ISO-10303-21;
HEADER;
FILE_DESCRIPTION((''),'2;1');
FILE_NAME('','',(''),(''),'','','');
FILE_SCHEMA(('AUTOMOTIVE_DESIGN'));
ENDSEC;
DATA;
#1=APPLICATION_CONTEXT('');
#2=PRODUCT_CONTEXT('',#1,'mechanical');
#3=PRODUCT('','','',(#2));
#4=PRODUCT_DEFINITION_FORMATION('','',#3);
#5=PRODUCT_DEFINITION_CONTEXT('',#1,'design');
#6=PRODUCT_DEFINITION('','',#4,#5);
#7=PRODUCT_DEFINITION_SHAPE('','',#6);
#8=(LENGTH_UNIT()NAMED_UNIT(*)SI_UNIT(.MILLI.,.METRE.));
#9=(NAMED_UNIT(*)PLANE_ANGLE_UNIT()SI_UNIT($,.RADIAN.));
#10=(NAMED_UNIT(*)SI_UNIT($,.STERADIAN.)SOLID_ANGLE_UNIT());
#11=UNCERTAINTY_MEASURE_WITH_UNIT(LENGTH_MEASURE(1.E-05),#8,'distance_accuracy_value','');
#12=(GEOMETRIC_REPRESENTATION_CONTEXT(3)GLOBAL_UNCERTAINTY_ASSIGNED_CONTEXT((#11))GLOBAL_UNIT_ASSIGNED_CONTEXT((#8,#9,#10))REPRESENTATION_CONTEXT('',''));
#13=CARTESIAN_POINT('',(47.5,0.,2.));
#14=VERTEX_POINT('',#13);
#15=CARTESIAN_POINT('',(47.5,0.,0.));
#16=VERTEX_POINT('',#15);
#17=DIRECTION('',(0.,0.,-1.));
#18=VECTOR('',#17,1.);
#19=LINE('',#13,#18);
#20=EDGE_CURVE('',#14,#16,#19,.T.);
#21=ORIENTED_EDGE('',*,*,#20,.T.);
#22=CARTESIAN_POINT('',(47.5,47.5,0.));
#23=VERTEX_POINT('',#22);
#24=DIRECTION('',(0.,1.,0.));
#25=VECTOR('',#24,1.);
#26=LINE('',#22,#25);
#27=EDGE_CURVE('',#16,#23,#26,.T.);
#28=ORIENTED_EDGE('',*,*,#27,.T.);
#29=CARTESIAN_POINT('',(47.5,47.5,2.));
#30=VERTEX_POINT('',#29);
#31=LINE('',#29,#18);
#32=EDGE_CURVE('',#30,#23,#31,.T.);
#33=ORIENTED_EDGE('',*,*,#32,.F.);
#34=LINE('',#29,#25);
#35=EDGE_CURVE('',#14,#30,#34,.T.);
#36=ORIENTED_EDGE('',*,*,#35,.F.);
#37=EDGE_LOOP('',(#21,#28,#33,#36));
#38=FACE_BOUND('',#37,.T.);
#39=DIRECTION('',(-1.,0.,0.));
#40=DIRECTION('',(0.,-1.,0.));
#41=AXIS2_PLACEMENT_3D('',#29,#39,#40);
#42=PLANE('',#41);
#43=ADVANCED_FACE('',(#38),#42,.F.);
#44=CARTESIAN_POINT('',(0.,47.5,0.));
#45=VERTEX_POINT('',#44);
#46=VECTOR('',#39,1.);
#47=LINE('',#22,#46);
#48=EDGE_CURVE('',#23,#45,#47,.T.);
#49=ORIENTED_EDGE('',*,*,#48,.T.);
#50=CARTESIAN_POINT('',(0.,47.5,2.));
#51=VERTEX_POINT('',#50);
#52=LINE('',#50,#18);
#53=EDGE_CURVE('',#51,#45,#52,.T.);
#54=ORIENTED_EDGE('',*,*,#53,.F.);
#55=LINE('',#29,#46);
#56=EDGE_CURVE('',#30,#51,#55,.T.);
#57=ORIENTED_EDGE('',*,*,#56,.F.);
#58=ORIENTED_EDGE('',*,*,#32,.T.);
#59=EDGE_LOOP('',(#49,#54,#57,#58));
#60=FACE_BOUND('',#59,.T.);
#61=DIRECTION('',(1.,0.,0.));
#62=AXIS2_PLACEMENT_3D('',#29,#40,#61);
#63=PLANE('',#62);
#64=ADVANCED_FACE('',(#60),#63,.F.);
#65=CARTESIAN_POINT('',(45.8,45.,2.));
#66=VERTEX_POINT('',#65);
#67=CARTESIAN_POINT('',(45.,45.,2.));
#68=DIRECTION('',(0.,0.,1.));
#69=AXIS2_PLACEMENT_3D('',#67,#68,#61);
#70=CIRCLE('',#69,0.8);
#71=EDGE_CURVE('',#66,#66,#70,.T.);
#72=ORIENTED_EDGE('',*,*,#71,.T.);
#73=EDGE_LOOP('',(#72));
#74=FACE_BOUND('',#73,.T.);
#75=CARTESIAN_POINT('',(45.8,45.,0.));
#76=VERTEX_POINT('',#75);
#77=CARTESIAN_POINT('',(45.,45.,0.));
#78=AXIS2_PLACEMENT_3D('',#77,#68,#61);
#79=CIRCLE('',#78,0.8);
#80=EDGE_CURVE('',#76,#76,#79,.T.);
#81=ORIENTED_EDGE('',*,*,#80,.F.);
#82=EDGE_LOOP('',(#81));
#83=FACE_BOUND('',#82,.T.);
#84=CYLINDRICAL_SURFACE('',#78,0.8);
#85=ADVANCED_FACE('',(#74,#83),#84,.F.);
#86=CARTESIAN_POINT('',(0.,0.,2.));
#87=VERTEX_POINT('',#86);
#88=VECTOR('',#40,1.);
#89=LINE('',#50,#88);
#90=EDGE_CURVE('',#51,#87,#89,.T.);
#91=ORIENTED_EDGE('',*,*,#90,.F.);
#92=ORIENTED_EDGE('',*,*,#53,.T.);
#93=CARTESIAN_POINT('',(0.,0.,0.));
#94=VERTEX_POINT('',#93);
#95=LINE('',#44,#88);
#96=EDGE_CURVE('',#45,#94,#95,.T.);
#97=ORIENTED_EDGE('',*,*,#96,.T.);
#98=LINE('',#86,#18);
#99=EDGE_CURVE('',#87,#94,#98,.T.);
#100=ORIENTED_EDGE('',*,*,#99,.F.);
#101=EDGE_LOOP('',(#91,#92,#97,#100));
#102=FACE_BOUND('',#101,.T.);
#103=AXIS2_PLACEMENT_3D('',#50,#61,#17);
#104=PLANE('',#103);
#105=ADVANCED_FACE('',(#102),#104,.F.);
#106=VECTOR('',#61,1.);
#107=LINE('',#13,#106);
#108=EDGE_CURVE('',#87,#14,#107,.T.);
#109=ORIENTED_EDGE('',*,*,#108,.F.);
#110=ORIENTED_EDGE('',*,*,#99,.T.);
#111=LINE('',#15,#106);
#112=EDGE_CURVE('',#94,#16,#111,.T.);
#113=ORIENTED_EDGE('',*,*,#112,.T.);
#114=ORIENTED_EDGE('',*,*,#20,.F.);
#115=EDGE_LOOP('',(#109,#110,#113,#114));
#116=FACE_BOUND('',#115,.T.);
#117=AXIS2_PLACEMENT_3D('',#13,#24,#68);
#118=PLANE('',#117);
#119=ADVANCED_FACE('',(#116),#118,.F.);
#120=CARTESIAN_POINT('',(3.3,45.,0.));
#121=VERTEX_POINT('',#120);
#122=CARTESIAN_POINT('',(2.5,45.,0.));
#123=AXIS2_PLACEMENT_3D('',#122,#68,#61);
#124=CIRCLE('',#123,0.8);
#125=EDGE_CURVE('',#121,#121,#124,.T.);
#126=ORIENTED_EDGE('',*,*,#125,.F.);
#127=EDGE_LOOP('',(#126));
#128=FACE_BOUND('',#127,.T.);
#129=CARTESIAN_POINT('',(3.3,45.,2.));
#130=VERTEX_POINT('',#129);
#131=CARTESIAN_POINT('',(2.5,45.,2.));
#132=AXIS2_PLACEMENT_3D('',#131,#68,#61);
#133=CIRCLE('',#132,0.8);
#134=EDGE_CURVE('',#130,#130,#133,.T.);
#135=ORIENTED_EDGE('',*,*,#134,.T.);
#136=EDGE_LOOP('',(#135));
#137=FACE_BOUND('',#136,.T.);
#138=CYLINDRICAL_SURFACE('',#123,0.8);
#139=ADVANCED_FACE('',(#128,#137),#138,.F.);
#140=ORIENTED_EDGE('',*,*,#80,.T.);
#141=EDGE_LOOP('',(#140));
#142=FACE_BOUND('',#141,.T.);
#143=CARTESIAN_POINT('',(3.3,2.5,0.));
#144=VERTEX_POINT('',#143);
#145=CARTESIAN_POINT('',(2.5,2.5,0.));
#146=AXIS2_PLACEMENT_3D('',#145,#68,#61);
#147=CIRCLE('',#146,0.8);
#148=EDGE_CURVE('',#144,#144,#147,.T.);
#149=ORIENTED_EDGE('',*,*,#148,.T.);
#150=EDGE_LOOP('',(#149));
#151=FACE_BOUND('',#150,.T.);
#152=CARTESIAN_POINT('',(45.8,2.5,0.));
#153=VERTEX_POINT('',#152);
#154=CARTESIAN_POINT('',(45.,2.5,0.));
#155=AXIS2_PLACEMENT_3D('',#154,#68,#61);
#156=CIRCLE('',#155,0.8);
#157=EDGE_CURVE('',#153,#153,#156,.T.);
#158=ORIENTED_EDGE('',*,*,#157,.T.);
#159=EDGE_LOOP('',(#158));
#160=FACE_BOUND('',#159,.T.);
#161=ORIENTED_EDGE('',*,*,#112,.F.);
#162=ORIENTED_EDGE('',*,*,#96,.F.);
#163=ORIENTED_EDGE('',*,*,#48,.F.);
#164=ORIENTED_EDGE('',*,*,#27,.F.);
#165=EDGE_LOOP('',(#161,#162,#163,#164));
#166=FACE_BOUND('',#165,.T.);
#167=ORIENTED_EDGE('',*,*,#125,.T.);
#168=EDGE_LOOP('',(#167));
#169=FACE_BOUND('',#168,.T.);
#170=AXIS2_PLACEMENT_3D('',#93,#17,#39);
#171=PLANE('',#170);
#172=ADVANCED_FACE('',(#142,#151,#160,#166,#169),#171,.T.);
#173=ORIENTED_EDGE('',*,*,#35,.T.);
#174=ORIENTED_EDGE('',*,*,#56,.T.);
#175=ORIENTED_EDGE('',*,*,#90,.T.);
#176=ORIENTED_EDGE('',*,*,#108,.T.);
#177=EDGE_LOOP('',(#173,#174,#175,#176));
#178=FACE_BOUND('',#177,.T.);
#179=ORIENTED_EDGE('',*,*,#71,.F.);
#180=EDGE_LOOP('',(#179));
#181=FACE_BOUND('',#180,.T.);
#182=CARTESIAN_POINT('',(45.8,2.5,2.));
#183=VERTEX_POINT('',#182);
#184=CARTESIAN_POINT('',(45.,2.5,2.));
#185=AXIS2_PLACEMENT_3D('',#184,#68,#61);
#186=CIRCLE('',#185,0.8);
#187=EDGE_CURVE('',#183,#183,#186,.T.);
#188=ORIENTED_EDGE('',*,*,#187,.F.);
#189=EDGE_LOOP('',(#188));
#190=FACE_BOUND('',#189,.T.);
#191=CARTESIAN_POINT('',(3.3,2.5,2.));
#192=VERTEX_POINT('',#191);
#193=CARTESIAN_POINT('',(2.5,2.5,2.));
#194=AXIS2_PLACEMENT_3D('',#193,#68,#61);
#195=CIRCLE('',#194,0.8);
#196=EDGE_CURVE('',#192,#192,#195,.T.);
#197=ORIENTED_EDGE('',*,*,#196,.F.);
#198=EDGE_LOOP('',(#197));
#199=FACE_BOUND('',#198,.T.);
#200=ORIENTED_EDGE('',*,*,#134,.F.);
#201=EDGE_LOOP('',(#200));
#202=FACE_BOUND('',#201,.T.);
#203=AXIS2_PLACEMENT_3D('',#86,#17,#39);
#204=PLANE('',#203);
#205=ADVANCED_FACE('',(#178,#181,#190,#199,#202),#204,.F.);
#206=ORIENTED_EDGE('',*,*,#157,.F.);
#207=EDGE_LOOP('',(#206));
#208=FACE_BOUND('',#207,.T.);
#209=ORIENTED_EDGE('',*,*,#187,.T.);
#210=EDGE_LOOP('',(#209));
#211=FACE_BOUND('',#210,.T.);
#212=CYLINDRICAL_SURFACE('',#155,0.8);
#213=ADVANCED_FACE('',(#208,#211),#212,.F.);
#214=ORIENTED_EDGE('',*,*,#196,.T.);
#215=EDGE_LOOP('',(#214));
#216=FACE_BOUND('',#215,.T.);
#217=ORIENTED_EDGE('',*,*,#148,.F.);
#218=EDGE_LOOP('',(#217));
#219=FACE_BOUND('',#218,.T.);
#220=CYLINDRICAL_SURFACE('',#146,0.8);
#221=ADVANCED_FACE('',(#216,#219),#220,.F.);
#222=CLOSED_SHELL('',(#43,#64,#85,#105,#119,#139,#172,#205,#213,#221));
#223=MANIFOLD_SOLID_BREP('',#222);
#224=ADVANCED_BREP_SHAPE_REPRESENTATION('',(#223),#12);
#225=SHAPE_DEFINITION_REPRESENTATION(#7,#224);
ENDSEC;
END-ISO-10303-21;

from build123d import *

# Parameters (mm, degrees)
SKETCH_1_W          = 47.5
SKETCH_1_H          = 47.5
EXTRUDE_1_DEPTH     = 2
SKETCH_2_R          = 0.8
CUT_EXTRUDE_1_DEPTH = 2


with BuildPart() as part:
    # 草图1 → 凸台-拉伸1 (new body)
    with BuildSketch(Plane.XY):
        with Locations((23.75, 23.75)):
            Rectangle(SKETCH_1_W, SKETCH_1_H)
    extrude(amount=EXTRUDE_1_DEPTH)

    # 草图2 → 切除-拉伸1 (cut)
    with BuildSketch(Plane.XY.offset(2)):
        with Locations((2.5, 2.5)):
            Circle(SKETCH_2_R)
        with Locations((2.5, 45)):
            Circle(SKETCH_2_R)
        with Locations((45, 45)):
            Circle(SKETCH_2_R)
        with Locations((45, 2.5)):
            Circle(SKETCH_2_R)
    extrude(amount=-CUT_EXTRUDE_1_DEPTH, mode=Mode.SUBTRACT)


solid = part.part
